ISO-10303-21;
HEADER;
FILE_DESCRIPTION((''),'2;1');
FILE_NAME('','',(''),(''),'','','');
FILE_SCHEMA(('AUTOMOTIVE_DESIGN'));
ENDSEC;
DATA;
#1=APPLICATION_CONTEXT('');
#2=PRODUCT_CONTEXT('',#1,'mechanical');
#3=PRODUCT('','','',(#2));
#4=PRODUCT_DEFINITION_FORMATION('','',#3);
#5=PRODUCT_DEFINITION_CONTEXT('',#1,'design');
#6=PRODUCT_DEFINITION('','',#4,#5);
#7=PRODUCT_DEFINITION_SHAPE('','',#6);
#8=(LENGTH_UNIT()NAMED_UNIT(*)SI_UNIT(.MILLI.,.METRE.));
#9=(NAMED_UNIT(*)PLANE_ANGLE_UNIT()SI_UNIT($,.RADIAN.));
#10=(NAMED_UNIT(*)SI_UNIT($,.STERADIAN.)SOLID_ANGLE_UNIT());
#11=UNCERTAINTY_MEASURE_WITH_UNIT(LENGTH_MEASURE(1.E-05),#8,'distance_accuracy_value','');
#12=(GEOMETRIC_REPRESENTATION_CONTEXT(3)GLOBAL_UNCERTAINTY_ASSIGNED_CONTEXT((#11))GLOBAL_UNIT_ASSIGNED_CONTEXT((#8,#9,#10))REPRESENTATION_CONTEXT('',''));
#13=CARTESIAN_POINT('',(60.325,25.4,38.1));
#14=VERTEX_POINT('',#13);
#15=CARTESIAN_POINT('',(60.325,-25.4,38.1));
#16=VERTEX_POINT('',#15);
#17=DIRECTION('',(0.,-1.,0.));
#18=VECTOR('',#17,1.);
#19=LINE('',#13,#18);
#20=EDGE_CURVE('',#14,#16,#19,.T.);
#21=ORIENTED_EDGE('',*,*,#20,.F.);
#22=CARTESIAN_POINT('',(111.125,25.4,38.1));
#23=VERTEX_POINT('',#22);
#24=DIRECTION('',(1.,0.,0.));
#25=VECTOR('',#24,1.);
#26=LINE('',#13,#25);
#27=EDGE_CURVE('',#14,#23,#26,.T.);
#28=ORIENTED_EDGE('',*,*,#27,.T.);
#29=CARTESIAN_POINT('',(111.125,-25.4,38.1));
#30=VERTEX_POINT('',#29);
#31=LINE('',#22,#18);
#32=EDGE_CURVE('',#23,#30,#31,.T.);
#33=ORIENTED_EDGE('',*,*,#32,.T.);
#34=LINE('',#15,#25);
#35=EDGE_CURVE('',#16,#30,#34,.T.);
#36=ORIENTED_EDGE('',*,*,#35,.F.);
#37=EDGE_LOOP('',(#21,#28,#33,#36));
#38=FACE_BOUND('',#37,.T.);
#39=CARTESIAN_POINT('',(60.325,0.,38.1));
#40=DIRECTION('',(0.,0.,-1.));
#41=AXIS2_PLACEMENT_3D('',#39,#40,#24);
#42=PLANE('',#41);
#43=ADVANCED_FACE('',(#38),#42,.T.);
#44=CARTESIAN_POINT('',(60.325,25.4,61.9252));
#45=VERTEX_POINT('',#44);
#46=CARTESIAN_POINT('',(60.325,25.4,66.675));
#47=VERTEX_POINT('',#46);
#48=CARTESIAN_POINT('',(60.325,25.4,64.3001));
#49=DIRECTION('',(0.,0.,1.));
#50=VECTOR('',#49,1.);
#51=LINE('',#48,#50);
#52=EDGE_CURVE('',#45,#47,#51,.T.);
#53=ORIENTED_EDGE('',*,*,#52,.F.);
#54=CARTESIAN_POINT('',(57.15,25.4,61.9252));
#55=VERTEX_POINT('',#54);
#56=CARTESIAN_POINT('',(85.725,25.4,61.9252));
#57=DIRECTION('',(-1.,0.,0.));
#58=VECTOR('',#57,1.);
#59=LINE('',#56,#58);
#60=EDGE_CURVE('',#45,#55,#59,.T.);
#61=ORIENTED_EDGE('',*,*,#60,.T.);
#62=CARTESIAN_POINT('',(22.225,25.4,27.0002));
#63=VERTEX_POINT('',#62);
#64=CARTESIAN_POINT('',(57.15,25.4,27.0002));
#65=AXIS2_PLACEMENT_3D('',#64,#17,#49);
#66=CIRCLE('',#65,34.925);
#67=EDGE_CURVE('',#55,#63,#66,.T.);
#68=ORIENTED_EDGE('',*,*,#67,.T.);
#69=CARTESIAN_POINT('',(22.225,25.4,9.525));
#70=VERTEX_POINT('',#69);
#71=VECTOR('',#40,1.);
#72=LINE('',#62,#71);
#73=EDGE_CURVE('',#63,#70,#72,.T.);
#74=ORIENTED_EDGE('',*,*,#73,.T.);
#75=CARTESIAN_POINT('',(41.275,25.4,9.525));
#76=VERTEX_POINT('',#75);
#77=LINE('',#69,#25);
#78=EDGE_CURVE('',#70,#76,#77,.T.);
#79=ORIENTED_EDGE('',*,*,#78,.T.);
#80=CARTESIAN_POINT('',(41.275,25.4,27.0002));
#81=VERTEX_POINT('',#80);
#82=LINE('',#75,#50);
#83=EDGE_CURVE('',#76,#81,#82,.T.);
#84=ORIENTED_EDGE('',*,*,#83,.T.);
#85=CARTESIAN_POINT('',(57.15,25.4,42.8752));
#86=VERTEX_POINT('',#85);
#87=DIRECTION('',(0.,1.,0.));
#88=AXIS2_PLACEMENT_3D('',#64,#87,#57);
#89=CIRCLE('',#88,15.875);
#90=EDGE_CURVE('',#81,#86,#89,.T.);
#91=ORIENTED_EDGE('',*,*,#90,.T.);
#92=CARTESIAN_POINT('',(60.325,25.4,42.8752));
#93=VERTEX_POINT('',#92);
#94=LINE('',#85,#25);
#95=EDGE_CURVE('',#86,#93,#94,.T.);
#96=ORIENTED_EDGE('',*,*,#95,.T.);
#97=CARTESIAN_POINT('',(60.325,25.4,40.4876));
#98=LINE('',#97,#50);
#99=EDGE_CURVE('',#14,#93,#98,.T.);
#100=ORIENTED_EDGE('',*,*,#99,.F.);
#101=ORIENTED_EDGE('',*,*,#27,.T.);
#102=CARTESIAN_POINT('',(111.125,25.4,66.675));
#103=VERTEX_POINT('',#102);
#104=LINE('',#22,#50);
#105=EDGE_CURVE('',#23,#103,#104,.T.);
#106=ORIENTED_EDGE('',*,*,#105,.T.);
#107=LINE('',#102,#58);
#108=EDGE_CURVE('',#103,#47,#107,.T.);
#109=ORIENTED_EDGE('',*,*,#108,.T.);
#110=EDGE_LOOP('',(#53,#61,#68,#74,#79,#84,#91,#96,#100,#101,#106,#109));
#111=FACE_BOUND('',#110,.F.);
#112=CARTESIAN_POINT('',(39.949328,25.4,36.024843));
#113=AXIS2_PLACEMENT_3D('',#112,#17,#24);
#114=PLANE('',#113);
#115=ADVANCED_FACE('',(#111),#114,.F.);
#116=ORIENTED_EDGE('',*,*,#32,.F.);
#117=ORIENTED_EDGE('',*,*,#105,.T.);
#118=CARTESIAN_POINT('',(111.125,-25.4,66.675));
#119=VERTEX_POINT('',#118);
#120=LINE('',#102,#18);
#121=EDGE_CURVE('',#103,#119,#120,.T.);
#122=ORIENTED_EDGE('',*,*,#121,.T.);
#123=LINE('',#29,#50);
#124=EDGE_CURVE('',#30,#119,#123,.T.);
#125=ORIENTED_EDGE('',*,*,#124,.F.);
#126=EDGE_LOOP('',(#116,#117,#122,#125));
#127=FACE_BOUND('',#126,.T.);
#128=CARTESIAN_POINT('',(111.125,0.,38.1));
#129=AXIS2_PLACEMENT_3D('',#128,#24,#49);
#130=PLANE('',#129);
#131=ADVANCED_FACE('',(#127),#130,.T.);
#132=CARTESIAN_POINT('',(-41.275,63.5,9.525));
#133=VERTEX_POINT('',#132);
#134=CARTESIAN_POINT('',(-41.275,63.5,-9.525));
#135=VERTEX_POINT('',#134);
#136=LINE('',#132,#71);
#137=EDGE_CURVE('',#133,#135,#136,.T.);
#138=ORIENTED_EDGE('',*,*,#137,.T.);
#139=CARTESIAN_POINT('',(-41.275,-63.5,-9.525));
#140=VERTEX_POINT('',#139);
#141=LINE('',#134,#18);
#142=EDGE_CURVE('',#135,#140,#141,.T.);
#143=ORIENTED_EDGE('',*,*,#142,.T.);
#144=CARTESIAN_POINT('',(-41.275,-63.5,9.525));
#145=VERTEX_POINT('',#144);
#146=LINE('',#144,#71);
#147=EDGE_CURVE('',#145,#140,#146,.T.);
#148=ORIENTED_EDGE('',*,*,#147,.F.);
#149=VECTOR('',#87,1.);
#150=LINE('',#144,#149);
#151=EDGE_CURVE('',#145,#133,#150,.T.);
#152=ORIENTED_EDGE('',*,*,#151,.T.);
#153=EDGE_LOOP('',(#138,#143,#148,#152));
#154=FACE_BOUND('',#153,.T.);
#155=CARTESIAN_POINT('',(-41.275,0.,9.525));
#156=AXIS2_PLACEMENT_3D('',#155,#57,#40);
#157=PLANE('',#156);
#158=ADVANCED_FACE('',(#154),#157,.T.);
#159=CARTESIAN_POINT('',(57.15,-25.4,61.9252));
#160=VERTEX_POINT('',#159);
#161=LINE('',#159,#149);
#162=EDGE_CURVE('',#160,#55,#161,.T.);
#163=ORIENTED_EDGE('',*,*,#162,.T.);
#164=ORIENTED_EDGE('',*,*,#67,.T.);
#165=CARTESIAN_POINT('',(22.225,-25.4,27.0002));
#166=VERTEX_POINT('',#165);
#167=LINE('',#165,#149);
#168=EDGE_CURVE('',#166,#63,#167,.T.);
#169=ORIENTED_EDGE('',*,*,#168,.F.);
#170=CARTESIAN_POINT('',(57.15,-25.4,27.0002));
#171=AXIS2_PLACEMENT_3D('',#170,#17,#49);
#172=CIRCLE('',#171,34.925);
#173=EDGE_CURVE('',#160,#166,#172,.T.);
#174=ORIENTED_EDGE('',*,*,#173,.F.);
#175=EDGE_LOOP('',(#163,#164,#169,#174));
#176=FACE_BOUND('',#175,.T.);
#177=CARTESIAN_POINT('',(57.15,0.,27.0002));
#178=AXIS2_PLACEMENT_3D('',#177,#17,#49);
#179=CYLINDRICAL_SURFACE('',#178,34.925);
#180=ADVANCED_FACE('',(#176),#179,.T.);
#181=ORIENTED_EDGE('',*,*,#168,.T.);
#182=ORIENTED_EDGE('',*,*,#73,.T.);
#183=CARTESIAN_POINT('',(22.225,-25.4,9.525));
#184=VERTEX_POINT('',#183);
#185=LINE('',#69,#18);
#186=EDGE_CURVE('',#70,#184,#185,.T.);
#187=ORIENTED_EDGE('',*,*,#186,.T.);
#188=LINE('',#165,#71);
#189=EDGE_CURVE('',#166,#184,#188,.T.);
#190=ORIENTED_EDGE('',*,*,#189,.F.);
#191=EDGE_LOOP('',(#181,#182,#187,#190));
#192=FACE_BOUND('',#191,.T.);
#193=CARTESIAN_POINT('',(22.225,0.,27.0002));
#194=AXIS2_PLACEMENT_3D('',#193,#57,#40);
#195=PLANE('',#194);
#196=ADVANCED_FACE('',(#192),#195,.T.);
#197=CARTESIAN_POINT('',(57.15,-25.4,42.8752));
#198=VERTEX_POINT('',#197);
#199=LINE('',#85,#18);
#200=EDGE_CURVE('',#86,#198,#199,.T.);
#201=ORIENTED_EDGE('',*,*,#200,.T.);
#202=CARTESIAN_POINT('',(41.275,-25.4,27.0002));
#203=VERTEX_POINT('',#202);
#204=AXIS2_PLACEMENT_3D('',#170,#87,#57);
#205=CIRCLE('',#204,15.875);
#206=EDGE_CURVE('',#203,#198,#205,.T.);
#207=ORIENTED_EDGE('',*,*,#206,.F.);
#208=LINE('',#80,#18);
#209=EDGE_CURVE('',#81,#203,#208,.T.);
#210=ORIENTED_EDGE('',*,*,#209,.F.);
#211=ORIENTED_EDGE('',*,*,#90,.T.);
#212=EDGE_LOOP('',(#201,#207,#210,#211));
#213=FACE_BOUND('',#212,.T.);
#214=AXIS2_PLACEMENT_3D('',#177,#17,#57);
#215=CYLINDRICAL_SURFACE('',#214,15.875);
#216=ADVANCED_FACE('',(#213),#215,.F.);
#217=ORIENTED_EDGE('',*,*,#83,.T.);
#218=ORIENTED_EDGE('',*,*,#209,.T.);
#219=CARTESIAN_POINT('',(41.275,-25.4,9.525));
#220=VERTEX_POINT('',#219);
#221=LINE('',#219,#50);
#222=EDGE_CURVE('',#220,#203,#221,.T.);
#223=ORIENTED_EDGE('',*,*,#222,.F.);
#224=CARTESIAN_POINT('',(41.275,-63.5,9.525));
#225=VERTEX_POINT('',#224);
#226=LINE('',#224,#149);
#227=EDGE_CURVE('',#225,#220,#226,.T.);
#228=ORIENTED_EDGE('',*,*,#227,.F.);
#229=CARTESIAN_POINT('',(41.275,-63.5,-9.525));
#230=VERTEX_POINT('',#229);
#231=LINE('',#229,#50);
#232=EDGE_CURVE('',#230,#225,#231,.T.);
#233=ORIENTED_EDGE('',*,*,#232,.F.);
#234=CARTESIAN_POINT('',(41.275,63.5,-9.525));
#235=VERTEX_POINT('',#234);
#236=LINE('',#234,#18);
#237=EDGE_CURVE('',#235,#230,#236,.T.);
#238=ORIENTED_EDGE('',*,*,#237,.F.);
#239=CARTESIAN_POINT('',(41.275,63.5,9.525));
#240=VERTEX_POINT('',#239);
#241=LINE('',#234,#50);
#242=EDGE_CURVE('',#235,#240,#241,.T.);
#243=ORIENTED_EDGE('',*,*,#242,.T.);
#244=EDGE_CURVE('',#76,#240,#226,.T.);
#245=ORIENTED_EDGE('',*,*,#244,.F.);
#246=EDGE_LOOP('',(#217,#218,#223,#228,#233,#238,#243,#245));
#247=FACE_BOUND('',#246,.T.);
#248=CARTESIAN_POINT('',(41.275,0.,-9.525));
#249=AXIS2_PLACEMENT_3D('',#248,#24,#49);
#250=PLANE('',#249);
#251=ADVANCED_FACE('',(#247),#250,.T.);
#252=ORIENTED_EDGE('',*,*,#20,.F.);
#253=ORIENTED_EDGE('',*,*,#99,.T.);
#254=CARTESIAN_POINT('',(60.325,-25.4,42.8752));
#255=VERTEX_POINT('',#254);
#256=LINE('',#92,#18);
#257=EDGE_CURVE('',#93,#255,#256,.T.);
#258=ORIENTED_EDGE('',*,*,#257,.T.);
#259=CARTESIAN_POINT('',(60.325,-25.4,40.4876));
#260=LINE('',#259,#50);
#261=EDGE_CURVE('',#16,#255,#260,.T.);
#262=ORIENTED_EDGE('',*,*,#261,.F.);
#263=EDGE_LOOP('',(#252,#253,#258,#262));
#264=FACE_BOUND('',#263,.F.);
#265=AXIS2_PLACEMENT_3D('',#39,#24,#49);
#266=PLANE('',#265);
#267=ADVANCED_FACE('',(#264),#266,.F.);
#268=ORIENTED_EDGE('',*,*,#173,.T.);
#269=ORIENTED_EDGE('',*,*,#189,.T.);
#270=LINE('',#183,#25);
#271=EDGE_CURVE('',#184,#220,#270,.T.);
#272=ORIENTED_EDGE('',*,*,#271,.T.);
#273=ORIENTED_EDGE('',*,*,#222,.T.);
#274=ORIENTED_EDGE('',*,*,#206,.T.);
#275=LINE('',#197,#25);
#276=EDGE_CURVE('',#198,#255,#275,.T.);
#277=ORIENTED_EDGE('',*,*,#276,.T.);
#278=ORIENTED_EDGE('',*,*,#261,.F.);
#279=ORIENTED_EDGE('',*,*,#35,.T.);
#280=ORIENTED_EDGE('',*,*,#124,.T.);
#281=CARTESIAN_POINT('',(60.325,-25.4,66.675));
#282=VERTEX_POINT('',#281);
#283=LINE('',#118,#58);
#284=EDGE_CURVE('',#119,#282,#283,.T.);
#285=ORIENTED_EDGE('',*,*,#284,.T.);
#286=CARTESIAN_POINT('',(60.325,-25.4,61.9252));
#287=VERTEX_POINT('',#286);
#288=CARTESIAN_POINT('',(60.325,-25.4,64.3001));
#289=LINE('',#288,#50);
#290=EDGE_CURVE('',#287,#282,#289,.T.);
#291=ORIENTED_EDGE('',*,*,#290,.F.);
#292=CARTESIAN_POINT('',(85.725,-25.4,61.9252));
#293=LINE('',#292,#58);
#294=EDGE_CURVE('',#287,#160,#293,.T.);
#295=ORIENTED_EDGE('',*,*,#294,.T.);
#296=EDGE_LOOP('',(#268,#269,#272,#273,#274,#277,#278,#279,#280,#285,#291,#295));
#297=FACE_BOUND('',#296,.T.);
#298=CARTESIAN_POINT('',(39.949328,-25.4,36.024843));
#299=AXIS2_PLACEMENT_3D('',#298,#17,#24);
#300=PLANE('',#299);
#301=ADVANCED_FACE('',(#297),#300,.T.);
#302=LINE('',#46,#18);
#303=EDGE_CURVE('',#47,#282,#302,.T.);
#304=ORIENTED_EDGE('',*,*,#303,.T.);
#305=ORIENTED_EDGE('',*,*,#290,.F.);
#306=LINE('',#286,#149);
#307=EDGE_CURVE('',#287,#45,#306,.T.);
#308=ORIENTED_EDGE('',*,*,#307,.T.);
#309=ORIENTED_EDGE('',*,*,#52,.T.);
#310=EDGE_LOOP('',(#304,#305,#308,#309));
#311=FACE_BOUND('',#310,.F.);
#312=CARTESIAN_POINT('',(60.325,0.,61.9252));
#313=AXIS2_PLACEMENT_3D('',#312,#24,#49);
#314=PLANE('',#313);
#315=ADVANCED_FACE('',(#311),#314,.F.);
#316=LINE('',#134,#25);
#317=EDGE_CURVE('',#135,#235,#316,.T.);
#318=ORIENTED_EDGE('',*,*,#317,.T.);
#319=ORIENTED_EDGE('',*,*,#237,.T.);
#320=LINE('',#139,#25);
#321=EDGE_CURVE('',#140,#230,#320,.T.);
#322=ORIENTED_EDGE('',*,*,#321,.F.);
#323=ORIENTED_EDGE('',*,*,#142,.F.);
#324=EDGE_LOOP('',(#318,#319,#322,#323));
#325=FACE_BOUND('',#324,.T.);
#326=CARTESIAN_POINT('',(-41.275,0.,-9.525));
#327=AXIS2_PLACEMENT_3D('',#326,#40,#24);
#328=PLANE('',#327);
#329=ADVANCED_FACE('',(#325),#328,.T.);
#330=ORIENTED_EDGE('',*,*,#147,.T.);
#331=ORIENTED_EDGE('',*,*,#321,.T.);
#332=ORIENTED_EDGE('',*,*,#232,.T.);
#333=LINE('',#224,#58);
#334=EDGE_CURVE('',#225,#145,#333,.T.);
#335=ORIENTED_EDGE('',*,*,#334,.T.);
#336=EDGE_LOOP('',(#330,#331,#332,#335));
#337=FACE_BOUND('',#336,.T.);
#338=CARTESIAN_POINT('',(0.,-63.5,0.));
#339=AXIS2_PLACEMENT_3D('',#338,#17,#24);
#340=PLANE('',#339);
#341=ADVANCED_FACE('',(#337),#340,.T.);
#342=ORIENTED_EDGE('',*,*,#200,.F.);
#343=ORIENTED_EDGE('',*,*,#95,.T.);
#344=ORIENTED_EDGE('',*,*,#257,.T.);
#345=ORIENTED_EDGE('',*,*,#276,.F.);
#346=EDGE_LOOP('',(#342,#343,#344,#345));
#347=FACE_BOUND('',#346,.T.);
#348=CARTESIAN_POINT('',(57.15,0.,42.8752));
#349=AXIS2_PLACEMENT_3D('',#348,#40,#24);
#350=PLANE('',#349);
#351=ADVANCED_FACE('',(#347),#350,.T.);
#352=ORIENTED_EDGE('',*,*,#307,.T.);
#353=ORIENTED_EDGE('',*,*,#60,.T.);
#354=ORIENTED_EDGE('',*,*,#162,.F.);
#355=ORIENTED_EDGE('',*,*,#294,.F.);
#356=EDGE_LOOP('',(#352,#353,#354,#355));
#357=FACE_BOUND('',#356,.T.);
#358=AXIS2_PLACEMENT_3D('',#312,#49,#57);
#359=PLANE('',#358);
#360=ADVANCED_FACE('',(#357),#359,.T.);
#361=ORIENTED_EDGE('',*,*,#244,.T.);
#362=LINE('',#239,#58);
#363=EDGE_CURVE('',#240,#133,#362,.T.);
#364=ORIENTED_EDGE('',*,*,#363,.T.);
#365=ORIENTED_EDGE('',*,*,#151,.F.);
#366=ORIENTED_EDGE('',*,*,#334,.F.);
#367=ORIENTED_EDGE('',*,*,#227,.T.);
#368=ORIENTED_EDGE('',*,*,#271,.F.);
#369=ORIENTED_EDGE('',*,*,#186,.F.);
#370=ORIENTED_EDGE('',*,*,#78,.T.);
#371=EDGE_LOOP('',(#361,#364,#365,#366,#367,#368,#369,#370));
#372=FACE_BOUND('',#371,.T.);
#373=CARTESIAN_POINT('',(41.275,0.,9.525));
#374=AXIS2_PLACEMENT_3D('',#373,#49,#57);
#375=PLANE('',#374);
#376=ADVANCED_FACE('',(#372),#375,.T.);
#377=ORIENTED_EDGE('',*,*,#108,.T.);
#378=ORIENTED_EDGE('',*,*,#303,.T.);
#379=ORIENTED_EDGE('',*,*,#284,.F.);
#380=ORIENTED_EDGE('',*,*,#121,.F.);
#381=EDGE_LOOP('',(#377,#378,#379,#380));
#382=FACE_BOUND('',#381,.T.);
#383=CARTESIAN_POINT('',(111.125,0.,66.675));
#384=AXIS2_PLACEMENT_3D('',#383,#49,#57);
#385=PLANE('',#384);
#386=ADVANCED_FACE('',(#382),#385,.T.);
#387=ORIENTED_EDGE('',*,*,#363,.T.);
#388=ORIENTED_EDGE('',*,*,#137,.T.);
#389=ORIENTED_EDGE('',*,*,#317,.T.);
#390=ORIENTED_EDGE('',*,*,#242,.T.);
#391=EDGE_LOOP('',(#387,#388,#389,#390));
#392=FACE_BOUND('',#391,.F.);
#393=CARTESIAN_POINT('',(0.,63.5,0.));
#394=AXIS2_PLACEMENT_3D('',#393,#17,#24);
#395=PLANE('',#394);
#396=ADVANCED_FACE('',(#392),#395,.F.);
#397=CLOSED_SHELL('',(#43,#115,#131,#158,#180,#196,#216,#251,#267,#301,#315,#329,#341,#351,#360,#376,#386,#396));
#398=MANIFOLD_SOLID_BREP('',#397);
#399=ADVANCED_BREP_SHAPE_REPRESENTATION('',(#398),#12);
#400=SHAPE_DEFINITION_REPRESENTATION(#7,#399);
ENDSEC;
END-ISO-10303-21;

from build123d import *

# Parameters (mm, degrees)
F1_DEPTH = 63.5
F0_W     = 25.4
F0_H     = 19.05
F0_H_2   = 4.7498
F0_H_3   = 4.7752
F2_DEPTH = 25.4


with BuildPart() as f1:
    # F0 (on Front) → F1 (new body, symmetric)
    with BuildSketch(Plane.XZ):
        Polygon((22.225, 9.525), (-41.275, 9.525), (-41.275, -9.525), (41.275, -9.525), (41.275, 9.525), align=None)
    extrude(amount=F1_DEPTH, both=True)

    # F0 (on Front) → F2 (join, symmetric)
    with BuildSketch(Plane.XZ):
        with BuildLine():
            Line((22.225, 27.0002), (22.225, 9.525))
            Line((22.225, 9.525), (41.275, 9.525))
            Line((41.275, 9.525), (41.275, 27.0002))
            ThreePointArc((41.275, 27.0002), (45.9246798487, 38.2255201513), (57.15, 42.8752))
            Line((57.15, 42.8752), (60.325, 42.8752))
            Line((60.325, 42.8752), (60.325, 61.9252))
            Line((60.325, 61.9252), (57.15, 61.9252))
            ThreePointArc((57.15, 61.9252), (32.4542956671, 51.6959043329), (22.225, 27.0002))
        make_face()
        Polygon((85.725, 66.675), (85.725, 61.9252), (85.725, 42.8752), (85.725, 38.1), (111.125, 38.1), (111.125, 66.675), align=None)
        with Locations((73.025, 52.4002)):
            Rectangle(F0_W, F0_H)
        with Locations((73.025, 64.3001)):
            Rectangle(F0_W, F0_H_2)
        with Locations((73.025, 40.4876)):
            Rectangle(F0_W, F0_H_3)
    extrude(amount=F2_DEPTH, both=True)


solid = f1.part
